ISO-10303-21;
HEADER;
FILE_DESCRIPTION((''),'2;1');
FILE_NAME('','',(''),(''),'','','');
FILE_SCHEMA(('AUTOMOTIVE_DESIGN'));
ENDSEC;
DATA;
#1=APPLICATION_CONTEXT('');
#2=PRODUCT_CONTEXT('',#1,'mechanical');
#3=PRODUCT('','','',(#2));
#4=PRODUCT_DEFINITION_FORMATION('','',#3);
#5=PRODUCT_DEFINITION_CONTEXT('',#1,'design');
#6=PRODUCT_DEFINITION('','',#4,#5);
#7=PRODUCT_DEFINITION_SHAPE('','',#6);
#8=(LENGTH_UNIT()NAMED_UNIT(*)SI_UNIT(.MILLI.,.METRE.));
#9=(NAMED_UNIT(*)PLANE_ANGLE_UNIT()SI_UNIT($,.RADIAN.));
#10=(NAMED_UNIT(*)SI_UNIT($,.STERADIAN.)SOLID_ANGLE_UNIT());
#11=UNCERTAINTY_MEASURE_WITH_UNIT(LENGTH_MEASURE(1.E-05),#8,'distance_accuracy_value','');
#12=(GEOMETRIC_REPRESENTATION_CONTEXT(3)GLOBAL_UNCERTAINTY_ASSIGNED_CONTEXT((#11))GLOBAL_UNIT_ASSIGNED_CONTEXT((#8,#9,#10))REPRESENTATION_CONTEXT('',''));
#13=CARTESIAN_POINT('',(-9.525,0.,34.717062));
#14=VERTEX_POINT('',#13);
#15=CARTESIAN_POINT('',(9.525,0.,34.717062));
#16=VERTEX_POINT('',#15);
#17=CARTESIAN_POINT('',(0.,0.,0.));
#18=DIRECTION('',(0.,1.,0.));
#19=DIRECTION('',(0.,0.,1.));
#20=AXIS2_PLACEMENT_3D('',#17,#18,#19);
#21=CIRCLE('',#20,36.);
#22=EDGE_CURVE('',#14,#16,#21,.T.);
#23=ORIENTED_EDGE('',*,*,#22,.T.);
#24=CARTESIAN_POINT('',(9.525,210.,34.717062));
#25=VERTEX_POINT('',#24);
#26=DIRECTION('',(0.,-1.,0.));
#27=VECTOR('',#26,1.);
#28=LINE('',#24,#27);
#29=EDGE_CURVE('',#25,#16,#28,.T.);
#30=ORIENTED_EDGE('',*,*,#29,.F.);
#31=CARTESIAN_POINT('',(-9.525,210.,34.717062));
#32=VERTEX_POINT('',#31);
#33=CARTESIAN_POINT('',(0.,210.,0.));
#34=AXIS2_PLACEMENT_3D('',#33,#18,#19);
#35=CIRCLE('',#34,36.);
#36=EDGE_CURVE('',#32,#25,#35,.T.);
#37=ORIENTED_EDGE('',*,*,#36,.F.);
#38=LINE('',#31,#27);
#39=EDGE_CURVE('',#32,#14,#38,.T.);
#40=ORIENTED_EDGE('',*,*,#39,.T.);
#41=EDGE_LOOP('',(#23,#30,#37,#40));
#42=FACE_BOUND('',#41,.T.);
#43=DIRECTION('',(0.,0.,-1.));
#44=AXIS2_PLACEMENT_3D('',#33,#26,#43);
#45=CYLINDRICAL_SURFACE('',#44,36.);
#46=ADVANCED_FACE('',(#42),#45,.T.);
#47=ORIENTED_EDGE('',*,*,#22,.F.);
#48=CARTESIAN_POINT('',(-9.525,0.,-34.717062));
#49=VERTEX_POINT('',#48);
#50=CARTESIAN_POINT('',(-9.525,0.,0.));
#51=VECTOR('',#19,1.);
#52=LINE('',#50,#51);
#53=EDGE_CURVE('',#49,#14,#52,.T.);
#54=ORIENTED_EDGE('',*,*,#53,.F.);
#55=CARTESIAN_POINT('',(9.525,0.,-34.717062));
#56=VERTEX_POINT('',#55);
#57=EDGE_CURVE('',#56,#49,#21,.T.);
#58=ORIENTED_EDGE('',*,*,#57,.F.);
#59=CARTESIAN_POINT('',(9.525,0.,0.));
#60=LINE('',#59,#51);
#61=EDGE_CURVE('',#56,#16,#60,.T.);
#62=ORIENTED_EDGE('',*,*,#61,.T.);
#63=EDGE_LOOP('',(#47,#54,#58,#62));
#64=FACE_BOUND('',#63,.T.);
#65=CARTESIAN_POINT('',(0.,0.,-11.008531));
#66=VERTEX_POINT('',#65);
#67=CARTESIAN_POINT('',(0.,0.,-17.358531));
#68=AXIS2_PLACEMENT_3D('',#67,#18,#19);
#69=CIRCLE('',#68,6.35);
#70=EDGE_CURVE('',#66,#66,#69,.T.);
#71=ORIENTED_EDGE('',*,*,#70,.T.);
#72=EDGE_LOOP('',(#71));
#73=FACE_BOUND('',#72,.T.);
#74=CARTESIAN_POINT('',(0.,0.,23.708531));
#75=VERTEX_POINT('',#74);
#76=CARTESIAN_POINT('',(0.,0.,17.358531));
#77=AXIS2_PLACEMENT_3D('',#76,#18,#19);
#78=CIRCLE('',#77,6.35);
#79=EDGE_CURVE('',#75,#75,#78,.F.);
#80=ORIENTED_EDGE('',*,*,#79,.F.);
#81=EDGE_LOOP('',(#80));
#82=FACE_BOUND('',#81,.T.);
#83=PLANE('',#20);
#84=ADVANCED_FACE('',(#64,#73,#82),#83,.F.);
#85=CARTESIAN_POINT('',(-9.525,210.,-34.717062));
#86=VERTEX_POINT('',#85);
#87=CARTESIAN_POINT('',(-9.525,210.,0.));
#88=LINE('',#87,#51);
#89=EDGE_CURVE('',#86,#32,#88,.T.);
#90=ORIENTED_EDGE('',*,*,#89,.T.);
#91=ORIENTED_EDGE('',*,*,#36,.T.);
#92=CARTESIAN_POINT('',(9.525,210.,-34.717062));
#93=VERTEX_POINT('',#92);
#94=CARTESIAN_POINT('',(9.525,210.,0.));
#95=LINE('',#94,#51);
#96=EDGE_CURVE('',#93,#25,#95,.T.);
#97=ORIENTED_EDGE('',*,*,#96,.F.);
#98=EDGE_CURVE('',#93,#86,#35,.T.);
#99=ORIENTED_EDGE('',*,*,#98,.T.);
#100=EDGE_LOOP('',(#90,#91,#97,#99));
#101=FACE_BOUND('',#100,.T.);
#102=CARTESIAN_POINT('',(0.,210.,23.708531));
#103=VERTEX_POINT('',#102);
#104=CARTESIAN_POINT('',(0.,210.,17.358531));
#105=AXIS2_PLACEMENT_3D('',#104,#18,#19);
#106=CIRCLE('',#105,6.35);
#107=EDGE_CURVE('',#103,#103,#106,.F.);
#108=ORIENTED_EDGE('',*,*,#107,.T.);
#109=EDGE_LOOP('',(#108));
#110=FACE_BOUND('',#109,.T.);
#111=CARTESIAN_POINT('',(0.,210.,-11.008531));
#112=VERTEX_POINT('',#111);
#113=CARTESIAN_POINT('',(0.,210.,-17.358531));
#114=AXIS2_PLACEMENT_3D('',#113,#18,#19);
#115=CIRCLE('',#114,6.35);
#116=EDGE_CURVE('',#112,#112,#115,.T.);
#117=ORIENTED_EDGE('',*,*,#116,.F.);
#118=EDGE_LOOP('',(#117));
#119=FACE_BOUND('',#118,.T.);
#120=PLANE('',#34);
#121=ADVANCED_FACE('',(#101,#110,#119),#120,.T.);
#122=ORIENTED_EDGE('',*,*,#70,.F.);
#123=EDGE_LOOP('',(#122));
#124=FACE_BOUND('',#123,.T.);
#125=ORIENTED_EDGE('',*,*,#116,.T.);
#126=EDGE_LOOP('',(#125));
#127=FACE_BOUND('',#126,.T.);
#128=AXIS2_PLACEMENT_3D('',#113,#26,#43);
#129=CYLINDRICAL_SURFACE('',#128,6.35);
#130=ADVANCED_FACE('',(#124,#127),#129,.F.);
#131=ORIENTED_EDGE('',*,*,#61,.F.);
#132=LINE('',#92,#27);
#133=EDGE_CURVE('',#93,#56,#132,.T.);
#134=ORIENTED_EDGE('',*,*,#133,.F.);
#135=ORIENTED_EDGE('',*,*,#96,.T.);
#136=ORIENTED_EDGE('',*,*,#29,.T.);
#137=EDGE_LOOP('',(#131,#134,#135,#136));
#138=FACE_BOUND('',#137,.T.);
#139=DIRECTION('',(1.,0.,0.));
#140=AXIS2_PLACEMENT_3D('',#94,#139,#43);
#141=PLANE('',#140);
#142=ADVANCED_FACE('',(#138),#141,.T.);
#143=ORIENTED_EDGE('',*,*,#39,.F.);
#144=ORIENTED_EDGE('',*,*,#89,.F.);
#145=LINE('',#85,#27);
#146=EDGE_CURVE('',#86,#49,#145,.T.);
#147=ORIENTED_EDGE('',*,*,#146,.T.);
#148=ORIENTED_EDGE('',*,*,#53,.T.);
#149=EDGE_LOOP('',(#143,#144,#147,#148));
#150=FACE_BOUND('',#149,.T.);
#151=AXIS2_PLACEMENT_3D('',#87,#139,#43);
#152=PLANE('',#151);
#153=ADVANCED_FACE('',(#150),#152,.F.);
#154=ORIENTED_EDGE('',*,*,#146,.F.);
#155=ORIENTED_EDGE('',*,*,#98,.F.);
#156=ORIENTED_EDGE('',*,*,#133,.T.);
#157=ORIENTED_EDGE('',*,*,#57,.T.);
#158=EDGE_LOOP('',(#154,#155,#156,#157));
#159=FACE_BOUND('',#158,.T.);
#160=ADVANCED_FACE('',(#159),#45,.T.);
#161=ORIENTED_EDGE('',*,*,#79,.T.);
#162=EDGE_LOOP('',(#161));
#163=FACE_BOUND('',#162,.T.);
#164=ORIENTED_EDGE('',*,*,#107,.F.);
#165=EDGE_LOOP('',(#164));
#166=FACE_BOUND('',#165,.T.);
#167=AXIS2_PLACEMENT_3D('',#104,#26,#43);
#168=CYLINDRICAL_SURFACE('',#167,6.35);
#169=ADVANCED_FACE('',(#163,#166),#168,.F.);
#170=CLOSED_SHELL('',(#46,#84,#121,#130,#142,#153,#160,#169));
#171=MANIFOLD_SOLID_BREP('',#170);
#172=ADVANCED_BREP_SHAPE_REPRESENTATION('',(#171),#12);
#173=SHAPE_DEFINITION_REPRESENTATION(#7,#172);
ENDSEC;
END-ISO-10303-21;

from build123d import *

# Parameters (mm, degrees)
SKETCH2_R           = 6.35
BOSS_EXTRUDE1_DEPTH = 210


with BuildPart() as part:
    # Sketch2 → Boss-Extrude1 (new body)
    # profile 1 of 2: a face of its own
    with BuildSketch(Plane(origin=(0, 0, 0), x_dir=(1, 0, 0), z_dir=(0, 1, 0))):
        with BuildLine():
            Line((9.525, -34.717061728), (9.525, 0))
            Line((9.525, 0), (-9.525, 0))
            Line((-9.525, 0), (-9.525, -34.717061728))
            ThreePointArc((-9.525, -34.717061728), (0, -36), (9.525, -34.717061728))
        make_face()
        with Locations(Location((0, -17.358530864, 0), (0, 0, 270))):
            Circle(SKETCH2_R, mode=Mode.SUBTRACT)
    # profile 2 of 2: a face of its own
    with BuildSketch(Plane(origin=(0, 0, 0), x_dir=(1, 0, 0), z_dir=(0, 1, 0))):
        with BuildLine():
            Line((-9.525, 0), (9.525, 0))
            Line((9.525, 0), (9.525, 34.717061728))
            ThreePointArc((9.525, 34.717061728), (0, 36), (-9.525, 34.717061728))
            Line((-9.525, 34.717061728), (-9.525, 0))
        make_face()
        with Locations(Location((0, 17.358530864, 0), (0, 0, 270))):
            Circle(SKETCH2_R, mode=Mode.SUBTRACT)
    extrude(amount=BOSS_EXTRUDE1_DEPTH)


solid = part.part
